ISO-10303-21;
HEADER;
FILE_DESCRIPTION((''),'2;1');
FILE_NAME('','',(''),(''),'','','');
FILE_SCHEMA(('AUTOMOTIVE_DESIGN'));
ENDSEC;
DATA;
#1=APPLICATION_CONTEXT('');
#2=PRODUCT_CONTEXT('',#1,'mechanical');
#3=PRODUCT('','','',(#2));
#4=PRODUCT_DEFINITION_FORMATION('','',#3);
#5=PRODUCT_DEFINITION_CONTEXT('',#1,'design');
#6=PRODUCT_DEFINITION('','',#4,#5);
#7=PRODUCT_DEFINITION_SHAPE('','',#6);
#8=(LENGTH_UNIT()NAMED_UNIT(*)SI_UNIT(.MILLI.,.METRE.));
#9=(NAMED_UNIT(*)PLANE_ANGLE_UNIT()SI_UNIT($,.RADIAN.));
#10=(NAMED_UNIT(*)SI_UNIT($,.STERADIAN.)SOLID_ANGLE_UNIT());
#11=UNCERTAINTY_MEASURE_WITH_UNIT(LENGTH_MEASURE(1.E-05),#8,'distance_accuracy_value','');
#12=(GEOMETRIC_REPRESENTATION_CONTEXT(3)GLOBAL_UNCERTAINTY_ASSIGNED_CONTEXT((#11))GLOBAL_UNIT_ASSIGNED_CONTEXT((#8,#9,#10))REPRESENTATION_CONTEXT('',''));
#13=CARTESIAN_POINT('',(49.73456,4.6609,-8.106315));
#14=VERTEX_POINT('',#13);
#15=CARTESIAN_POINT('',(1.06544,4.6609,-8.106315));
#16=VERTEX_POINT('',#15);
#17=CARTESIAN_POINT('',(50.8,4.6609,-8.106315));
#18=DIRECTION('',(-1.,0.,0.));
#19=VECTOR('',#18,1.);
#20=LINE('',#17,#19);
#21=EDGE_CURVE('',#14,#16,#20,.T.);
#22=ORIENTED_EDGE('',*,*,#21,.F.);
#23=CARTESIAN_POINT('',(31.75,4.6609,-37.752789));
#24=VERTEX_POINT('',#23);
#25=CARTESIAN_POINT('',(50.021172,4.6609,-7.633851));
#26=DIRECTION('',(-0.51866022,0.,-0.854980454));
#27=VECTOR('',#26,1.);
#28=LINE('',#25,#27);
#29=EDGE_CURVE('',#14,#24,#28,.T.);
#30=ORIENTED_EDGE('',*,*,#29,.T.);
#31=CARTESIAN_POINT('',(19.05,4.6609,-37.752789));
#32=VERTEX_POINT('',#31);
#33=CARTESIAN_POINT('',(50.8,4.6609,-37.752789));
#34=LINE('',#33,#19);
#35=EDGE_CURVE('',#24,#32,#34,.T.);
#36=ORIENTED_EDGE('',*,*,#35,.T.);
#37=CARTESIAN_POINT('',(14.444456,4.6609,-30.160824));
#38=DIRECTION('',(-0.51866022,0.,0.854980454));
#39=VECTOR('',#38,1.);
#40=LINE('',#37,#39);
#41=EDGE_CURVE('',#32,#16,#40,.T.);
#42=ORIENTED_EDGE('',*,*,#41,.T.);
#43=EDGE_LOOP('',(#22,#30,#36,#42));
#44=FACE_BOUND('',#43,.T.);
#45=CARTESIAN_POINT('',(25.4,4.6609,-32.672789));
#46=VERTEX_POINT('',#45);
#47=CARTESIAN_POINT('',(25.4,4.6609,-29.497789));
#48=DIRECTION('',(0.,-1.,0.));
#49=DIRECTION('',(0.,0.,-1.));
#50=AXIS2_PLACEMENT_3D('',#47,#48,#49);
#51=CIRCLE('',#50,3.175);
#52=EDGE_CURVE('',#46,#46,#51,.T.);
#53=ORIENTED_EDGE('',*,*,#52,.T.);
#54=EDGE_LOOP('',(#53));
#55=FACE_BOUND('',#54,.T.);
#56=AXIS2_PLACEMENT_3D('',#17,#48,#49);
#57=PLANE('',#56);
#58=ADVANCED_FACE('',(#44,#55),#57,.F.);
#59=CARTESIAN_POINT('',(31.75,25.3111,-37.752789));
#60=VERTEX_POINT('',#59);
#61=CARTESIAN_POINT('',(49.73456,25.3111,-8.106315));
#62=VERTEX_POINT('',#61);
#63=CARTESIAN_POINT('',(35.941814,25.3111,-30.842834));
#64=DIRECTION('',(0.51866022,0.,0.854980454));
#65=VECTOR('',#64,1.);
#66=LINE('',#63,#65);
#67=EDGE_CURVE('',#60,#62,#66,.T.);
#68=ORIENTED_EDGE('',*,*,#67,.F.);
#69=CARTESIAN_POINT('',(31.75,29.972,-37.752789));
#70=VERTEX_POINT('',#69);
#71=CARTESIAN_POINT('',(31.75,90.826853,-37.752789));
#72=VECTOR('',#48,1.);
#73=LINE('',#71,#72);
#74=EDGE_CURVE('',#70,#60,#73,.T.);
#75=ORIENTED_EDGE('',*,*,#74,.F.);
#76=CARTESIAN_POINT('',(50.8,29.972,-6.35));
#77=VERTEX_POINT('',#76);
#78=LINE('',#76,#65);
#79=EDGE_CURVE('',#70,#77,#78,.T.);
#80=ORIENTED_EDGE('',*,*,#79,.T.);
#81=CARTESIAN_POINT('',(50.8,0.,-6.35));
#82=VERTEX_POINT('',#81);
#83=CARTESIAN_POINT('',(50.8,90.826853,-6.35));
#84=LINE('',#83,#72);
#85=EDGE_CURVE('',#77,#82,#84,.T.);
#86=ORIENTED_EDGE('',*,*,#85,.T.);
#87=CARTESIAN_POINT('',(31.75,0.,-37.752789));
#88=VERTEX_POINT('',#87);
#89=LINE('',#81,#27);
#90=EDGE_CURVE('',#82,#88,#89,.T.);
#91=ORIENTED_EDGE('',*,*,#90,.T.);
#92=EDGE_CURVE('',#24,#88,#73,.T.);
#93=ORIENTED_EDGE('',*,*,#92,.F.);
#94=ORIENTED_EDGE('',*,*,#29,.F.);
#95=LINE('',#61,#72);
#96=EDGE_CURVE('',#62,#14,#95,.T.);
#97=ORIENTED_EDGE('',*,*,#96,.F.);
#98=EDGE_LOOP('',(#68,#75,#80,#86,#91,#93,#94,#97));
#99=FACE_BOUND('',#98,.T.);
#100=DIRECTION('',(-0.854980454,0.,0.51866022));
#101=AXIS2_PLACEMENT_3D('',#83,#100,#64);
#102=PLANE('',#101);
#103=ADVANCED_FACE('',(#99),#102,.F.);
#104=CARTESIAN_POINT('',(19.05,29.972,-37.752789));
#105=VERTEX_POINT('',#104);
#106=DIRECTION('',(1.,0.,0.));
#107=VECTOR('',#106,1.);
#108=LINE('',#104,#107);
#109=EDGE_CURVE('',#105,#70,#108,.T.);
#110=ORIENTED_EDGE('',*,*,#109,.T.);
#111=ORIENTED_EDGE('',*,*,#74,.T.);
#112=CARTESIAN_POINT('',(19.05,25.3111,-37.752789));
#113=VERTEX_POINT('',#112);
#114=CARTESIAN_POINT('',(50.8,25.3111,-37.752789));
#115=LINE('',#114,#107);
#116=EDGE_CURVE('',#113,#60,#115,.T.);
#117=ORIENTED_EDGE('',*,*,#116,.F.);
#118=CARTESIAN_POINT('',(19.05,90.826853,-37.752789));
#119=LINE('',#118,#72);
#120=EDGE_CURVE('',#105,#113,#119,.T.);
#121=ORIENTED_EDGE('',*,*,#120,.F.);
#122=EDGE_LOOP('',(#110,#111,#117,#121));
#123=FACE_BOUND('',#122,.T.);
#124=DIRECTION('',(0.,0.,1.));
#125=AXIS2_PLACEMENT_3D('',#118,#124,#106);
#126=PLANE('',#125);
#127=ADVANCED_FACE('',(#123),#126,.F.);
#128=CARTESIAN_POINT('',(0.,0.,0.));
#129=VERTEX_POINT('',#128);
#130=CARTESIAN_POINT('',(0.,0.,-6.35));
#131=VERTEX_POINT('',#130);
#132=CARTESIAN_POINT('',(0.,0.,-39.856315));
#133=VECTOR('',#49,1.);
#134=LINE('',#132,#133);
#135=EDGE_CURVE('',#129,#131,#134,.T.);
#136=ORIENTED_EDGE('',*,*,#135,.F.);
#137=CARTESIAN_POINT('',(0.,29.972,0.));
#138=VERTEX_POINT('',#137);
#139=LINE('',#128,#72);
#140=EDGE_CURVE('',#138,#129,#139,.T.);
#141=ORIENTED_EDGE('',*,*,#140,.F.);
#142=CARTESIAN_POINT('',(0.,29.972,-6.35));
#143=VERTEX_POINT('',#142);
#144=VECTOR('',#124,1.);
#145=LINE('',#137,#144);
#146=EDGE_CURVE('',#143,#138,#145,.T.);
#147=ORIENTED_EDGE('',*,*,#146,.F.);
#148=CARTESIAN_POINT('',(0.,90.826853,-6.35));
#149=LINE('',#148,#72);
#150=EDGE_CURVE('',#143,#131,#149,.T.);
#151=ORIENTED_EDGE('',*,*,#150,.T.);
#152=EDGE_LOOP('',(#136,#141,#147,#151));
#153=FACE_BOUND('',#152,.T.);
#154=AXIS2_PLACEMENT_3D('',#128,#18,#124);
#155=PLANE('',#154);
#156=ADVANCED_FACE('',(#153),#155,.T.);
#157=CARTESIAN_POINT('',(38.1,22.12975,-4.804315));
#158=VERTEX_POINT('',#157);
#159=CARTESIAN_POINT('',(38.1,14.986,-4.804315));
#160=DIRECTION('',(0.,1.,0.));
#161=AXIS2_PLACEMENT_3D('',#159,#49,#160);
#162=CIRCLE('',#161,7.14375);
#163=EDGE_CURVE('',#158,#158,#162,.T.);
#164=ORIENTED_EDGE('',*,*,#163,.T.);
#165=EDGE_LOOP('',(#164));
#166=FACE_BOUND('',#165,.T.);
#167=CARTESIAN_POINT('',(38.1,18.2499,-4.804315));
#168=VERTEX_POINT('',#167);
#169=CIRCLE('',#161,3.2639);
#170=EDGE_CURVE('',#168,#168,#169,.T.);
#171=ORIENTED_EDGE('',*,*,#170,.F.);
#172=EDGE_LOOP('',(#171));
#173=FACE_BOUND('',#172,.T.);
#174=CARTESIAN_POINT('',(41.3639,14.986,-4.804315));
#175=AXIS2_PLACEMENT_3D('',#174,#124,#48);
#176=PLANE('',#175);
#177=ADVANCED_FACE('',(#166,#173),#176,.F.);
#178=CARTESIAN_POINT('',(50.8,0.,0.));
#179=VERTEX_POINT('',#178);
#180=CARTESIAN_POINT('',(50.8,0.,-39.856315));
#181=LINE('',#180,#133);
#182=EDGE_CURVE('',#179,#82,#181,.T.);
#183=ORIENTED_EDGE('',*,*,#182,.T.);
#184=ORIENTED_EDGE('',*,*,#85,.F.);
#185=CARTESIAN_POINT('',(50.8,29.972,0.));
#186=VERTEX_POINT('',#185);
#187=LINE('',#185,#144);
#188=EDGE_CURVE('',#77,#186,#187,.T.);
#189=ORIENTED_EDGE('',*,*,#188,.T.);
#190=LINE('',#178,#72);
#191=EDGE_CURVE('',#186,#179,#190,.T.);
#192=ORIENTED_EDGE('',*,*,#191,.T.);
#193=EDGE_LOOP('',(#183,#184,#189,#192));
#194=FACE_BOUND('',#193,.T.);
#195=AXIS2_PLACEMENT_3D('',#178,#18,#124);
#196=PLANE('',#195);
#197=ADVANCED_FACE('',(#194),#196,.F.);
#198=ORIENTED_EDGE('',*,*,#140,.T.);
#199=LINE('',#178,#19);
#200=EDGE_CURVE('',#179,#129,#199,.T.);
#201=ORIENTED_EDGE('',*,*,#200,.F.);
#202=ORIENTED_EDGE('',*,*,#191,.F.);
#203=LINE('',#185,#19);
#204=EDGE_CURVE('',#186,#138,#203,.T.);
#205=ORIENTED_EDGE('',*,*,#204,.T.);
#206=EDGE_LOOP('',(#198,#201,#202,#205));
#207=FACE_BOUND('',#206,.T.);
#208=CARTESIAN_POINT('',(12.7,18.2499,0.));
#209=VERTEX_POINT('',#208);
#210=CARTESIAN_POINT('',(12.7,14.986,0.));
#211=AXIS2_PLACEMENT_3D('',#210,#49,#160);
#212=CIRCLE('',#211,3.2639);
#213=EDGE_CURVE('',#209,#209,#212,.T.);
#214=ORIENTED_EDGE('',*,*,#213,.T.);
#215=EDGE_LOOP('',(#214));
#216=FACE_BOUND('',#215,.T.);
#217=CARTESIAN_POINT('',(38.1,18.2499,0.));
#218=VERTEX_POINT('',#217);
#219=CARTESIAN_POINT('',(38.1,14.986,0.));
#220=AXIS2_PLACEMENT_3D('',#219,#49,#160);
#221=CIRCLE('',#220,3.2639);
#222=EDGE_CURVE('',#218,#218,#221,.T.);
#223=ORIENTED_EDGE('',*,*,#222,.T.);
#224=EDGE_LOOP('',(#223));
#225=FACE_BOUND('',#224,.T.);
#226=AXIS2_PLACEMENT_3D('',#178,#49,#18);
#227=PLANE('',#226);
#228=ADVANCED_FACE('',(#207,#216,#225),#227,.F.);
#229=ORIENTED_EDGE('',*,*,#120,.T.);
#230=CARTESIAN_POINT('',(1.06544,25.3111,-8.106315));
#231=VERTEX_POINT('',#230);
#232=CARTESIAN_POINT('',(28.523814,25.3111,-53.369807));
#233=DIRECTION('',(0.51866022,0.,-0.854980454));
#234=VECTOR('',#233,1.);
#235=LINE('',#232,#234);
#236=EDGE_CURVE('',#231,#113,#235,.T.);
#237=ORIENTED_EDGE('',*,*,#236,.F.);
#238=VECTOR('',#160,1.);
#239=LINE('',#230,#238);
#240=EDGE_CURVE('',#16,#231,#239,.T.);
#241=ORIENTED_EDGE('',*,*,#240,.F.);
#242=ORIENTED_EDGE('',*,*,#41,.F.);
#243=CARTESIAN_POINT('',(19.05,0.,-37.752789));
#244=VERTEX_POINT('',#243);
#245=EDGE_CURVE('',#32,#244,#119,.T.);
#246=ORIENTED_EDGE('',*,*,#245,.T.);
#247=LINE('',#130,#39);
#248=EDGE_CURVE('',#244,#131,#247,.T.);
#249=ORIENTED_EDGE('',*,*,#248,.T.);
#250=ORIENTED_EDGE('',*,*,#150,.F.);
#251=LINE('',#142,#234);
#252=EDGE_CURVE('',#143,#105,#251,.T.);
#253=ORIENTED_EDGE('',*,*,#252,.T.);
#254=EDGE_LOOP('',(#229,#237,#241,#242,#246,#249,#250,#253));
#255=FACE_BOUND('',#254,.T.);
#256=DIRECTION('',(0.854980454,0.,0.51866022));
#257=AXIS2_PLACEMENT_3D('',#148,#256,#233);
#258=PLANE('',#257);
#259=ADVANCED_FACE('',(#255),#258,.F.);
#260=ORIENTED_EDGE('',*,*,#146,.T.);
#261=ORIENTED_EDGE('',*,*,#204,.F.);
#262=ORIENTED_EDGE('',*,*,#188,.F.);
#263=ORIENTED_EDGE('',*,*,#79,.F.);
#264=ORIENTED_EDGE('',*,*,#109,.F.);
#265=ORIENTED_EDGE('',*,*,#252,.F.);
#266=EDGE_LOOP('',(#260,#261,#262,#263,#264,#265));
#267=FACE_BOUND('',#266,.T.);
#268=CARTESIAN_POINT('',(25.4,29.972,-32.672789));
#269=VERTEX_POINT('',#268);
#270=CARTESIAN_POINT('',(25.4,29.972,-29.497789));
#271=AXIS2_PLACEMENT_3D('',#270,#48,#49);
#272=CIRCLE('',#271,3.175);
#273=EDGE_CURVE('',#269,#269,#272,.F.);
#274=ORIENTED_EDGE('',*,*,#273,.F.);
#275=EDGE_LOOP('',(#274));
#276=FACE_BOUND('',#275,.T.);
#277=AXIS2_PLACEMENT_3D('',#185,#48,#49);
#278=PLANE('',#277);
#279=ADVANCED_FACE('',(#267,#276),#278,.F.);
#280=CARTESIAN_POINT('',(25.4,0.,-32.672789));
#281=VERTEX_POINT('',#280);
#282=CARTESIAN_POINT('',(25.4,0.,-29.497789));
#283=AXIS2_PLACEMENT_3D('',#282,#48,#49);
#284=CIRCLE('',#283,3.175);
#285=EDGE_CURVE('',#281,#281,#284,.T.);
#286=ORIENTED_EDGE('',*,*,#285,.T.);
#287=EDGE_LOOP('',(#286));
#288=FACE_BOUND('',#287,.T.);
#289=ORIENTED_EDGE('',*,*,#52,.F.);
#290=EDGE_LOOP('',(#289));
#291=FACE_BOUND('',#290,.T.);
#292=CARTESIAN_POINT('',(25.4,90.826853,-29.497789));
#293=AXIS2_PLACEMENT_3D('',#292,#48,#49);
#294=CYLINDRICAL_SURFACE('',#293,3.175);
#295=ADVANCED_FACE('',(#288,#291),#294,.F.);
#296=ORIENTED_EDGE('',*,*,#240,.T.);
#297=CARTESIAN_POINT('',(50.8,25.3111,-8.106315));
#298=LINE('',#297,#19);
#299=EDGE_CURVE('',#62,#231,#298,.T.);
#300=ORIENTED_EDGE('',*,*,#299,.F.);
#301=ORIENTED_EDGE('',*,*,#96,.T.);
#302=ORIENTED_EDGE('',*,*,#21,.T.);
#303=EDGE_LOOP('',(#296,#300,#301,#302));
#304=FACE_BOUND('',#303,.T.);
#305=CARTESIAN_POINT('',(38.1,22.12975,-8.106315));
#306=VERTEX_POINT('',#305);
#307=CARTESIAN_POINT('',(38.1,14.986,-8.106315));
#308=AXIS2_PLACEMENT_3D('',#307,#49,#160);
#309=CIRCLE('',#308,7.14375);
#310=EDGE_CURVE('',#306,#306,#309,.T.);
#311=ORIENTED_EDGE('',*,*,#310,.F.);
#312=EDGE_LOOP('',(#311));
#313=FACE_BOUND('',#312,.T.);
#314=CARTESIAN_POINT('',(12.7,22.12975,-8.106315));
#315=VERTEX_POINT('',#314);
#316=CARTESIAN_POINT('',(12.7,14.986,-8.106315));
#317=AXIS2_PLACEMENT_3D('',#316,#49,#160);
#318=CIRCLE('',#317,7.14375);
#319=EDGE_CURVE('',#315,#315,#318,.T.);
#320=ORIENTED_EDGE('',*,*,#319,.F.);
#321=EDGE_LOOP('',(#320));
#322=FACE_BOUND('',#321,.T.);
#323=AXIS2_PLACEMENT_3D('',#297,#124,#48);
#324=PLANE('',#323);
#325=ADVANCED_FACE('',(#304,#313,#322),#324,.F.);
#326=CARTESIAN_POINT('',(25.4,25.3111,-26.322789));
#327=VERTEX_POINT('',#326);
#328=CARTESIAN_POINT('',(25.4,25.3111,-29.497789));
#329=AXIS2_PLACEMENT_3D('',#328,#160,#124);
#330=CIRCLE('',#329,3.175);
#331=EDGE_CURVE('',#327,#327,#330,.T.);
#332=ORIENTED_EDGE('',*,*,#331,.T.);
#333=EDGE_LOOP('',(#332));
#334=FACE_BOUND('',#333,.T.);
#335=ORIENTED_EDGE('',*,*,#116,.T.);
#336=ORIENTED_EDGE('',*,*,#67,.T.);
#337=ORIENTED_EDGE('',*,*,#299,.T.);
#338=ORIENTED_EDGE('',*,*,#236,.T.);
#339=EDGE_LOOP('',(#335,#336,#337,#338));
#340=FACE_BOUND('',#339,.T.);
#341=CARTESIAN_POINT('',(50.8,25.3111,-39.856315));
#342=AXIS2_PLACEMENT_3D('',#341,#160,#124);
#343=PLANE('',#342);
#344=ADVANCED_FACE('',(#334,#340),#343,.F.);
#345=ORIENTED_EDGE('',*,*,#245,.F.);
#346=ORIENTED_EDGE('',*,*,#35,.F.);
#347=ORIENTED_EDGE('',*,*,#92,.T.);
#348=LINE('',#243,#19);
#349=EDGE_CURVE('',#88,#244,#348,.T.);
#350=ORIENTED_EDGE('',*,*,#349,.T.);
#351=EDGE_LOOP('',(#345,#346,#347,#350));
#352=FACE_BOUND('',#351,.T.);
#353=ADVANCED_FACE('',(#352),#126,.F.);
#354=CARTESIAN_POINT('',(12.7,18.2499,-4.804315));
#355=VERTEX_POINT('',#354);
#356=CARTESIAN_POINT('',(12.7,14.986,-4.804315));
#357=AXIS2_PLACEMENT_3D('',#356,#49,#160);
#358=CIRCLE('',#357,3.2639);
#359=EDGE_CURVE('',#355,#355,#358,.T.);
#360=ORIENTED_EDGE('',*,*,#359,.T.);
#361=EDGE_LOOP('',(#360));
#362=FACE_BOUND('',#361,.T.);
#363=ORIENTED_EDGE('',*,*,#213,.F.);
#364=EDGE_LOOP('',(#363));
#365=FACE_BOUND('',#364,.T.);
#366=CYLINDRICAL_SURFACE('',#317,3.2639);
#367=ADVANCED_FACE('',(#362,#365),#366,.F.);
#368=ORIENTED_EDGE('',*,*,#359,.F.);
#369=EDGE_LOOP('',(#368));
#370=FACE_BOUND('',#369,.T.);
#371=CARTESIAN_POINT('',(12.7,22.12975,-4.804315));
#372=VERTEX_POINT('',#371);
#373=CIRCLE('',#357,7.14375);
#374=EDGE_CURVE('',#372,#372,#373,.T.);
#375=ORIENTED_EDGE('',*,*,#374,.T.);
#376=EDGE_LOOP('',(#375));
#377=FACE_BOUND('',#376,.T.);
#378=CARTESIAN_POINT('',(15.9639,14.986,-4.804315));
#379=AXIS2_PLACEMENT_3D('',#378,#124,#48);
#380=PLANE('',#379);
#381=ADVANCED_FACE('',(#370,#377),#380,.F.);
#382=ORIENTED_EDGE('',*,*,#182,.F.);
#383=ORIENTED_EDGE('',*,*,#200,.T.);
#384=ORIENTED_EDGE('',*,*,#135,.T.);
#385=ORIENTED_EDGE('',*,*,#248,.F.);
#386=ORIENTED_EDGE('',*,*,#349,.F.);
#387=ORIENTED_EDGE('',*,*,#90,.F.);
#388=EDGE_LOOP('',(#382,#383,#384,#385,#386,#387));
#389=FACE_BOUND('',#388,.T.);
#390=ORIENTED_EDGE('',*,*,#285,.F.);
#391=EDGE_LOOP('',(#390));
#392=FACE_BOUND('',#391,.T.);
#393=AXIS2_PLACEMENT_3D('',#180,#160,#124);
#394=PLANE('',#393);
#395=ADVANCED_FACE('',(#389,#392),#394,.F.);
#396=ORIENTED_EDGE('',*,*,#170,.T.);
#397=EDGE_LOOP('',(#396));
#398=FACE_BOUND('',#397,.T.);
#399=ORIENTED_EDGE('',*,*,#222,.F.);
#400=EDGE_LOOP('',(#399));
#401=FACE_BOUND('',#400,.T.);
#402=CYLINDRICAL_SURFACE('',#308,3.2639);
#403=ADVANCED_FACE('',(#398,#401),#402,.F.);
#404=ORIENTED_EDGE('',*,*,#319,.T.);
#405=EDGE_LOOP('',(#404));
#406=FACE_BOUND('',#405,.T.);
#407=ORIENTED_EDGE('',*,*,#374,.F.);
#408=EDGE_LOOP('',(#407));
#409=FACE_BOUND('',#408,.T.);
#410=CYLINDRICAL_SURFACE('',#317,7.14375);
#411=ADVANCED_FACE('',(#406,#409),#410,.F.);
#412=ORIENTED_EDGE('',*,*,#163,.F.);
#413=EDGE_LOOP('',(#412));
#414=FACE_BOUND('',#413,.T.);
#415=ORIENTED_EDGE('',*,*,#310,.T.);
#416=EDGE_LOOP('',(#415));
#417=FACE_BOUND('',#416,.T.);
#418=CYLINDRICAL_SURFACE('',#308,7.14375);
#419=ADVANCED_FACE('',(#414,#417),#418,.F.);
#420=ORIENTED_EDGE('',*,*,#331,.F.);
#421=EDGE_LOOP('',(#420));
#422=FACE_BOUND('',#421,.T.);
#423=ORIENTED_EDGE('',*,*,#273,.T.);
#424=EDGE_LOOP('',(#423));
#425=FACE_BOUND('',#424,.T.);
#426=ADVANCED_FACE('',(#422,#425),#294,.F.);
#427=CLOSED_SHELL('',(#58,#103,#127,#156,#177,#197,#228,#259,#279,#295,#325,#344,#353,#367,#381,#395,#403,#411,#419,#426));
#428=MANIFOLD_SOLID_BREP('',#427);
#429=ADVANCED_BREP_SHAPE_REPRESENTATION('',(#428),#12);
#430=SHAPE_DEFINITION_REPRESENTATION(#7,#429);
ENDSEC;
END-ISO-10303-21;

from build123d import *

# Parameters (mm, degrees)
BOSS_EXTRUDE1_DEPTH                                  = 50.8
CBORE_FOR_1_4_BINDING_HEAD_MACHINE_SCREW_D           = 6.5278
CBORE_FOR_1_4_BINDING_HEAD_MACHINE_SCREW_CBORE_D     = 14.2875
CBORE_FOR_1_4_BINDING_HEAD_MACHINE_SCREW_CBORE_DEPTH = 3.302
CUT_EXTRUDE1_REACH                                   = 73.186
SKETCH4_R                                            = 3.175


with BuildPart() as part:
    # Sketch1 → Boss-Extrude1 (new body)
    with BuildSketch(Plane(origin=(0, 0, 0), x_dir=(0, 0, -1), z_dir=(1, 0, 0))):
        Polygon((0, 0), (0, 29.972), (39.856315031, 29.972), (39.856315031, 25.3111), (8.106315031, 25.3111), (8.106315031, 4.6609), (39.856315031, 4.6609), (39.856315031, 0), align=None)
    extrude(amount=BOSS_EXTRUDE1_DEPTH)

    # CBORE for 1/4 Binding Head Machine Screw1 (through all)
    with Locations(Plane(origin=(0, 0, -8.106315031), x_dir=(-1, 0, 0), z_dir=(0, 0, -1))):
        with Locations((-12.7, 14.986), (-38.1, 14.986)):
            CounterBoreHole(CBORE_FOR_1_4_BINDING_HEAD_MACHINE_SCREW_D / 2, CBORE_FOR_1_4_BINDING_HEAD_MACHINE_SCREW_CBORE_D / 2, CBORE_FOR_1_4_BINDING_HEAD_MACHINE_SCREW_CBORE_DEPTH)

    # Cut-Extrude1: up to this face of the body (flat: up to its plane)
    cut_extrude1_end = Plane(part.part.faces().sort_by_distance((25.4, 29.972, -19.928157515))[0])
    # Sketch4 → Cut-Extrude1 (cut, up to the picked face)
    with BuildSketch(Plane.XZ, mode=Mode.PRIVATE) as cut_extrude1_sk1:
        with Locations(Location((25.4, -29.497789369, 0), (0, 0, 270))):
            Circle(SKETCH4_R)
    cut_extrude1_tool1 = split(extrude(cut_extrude1_sk1.sketch, amount=-CUT_EXTRUDE1_REACH, mode=Mode.PRIVATE), bisect_by=cut_extrude1_end, keep=Keep.BOTH, mode=Mode.PRIVATE)
    # Sketch4 → Cut-Extrude1 (cut, up to the picked face)
    with BuildSketch(Plane.XZ, mode=Mode.PRIVATE) as cut_extrude1_sk2:
        Polygon((0, -6.35), (19.05, -37.752789369), (31.75, -37.752789369), (50.8, -6.35), (50.8, -39.856315031), (0, -39.856315031), align=None)
    cut_extrude1_tool2 = split(extrude(cut_extrude1_sk2.sketch, amount=-CUT_EXTRUDE1_REACH, mode=Mode.PRIVATE), bisect_by=cut_extrude1_end, keep=Keep.BOTH, mode=Mode.PRIVATE)
    add(cut_extrude1_tool1.solids().sort_by(Axis((25.4, 0, -29.497789), (0, 1, 0)))[0], mode=Mode.SUBTRACT)
    add(cut_extrude1_tool2.solids().sort_by(Axis((9.004703, 0, -22.367025), (0, 1, 0)))[0], mode=Mode.SUBTRACT)


solid = part.part
